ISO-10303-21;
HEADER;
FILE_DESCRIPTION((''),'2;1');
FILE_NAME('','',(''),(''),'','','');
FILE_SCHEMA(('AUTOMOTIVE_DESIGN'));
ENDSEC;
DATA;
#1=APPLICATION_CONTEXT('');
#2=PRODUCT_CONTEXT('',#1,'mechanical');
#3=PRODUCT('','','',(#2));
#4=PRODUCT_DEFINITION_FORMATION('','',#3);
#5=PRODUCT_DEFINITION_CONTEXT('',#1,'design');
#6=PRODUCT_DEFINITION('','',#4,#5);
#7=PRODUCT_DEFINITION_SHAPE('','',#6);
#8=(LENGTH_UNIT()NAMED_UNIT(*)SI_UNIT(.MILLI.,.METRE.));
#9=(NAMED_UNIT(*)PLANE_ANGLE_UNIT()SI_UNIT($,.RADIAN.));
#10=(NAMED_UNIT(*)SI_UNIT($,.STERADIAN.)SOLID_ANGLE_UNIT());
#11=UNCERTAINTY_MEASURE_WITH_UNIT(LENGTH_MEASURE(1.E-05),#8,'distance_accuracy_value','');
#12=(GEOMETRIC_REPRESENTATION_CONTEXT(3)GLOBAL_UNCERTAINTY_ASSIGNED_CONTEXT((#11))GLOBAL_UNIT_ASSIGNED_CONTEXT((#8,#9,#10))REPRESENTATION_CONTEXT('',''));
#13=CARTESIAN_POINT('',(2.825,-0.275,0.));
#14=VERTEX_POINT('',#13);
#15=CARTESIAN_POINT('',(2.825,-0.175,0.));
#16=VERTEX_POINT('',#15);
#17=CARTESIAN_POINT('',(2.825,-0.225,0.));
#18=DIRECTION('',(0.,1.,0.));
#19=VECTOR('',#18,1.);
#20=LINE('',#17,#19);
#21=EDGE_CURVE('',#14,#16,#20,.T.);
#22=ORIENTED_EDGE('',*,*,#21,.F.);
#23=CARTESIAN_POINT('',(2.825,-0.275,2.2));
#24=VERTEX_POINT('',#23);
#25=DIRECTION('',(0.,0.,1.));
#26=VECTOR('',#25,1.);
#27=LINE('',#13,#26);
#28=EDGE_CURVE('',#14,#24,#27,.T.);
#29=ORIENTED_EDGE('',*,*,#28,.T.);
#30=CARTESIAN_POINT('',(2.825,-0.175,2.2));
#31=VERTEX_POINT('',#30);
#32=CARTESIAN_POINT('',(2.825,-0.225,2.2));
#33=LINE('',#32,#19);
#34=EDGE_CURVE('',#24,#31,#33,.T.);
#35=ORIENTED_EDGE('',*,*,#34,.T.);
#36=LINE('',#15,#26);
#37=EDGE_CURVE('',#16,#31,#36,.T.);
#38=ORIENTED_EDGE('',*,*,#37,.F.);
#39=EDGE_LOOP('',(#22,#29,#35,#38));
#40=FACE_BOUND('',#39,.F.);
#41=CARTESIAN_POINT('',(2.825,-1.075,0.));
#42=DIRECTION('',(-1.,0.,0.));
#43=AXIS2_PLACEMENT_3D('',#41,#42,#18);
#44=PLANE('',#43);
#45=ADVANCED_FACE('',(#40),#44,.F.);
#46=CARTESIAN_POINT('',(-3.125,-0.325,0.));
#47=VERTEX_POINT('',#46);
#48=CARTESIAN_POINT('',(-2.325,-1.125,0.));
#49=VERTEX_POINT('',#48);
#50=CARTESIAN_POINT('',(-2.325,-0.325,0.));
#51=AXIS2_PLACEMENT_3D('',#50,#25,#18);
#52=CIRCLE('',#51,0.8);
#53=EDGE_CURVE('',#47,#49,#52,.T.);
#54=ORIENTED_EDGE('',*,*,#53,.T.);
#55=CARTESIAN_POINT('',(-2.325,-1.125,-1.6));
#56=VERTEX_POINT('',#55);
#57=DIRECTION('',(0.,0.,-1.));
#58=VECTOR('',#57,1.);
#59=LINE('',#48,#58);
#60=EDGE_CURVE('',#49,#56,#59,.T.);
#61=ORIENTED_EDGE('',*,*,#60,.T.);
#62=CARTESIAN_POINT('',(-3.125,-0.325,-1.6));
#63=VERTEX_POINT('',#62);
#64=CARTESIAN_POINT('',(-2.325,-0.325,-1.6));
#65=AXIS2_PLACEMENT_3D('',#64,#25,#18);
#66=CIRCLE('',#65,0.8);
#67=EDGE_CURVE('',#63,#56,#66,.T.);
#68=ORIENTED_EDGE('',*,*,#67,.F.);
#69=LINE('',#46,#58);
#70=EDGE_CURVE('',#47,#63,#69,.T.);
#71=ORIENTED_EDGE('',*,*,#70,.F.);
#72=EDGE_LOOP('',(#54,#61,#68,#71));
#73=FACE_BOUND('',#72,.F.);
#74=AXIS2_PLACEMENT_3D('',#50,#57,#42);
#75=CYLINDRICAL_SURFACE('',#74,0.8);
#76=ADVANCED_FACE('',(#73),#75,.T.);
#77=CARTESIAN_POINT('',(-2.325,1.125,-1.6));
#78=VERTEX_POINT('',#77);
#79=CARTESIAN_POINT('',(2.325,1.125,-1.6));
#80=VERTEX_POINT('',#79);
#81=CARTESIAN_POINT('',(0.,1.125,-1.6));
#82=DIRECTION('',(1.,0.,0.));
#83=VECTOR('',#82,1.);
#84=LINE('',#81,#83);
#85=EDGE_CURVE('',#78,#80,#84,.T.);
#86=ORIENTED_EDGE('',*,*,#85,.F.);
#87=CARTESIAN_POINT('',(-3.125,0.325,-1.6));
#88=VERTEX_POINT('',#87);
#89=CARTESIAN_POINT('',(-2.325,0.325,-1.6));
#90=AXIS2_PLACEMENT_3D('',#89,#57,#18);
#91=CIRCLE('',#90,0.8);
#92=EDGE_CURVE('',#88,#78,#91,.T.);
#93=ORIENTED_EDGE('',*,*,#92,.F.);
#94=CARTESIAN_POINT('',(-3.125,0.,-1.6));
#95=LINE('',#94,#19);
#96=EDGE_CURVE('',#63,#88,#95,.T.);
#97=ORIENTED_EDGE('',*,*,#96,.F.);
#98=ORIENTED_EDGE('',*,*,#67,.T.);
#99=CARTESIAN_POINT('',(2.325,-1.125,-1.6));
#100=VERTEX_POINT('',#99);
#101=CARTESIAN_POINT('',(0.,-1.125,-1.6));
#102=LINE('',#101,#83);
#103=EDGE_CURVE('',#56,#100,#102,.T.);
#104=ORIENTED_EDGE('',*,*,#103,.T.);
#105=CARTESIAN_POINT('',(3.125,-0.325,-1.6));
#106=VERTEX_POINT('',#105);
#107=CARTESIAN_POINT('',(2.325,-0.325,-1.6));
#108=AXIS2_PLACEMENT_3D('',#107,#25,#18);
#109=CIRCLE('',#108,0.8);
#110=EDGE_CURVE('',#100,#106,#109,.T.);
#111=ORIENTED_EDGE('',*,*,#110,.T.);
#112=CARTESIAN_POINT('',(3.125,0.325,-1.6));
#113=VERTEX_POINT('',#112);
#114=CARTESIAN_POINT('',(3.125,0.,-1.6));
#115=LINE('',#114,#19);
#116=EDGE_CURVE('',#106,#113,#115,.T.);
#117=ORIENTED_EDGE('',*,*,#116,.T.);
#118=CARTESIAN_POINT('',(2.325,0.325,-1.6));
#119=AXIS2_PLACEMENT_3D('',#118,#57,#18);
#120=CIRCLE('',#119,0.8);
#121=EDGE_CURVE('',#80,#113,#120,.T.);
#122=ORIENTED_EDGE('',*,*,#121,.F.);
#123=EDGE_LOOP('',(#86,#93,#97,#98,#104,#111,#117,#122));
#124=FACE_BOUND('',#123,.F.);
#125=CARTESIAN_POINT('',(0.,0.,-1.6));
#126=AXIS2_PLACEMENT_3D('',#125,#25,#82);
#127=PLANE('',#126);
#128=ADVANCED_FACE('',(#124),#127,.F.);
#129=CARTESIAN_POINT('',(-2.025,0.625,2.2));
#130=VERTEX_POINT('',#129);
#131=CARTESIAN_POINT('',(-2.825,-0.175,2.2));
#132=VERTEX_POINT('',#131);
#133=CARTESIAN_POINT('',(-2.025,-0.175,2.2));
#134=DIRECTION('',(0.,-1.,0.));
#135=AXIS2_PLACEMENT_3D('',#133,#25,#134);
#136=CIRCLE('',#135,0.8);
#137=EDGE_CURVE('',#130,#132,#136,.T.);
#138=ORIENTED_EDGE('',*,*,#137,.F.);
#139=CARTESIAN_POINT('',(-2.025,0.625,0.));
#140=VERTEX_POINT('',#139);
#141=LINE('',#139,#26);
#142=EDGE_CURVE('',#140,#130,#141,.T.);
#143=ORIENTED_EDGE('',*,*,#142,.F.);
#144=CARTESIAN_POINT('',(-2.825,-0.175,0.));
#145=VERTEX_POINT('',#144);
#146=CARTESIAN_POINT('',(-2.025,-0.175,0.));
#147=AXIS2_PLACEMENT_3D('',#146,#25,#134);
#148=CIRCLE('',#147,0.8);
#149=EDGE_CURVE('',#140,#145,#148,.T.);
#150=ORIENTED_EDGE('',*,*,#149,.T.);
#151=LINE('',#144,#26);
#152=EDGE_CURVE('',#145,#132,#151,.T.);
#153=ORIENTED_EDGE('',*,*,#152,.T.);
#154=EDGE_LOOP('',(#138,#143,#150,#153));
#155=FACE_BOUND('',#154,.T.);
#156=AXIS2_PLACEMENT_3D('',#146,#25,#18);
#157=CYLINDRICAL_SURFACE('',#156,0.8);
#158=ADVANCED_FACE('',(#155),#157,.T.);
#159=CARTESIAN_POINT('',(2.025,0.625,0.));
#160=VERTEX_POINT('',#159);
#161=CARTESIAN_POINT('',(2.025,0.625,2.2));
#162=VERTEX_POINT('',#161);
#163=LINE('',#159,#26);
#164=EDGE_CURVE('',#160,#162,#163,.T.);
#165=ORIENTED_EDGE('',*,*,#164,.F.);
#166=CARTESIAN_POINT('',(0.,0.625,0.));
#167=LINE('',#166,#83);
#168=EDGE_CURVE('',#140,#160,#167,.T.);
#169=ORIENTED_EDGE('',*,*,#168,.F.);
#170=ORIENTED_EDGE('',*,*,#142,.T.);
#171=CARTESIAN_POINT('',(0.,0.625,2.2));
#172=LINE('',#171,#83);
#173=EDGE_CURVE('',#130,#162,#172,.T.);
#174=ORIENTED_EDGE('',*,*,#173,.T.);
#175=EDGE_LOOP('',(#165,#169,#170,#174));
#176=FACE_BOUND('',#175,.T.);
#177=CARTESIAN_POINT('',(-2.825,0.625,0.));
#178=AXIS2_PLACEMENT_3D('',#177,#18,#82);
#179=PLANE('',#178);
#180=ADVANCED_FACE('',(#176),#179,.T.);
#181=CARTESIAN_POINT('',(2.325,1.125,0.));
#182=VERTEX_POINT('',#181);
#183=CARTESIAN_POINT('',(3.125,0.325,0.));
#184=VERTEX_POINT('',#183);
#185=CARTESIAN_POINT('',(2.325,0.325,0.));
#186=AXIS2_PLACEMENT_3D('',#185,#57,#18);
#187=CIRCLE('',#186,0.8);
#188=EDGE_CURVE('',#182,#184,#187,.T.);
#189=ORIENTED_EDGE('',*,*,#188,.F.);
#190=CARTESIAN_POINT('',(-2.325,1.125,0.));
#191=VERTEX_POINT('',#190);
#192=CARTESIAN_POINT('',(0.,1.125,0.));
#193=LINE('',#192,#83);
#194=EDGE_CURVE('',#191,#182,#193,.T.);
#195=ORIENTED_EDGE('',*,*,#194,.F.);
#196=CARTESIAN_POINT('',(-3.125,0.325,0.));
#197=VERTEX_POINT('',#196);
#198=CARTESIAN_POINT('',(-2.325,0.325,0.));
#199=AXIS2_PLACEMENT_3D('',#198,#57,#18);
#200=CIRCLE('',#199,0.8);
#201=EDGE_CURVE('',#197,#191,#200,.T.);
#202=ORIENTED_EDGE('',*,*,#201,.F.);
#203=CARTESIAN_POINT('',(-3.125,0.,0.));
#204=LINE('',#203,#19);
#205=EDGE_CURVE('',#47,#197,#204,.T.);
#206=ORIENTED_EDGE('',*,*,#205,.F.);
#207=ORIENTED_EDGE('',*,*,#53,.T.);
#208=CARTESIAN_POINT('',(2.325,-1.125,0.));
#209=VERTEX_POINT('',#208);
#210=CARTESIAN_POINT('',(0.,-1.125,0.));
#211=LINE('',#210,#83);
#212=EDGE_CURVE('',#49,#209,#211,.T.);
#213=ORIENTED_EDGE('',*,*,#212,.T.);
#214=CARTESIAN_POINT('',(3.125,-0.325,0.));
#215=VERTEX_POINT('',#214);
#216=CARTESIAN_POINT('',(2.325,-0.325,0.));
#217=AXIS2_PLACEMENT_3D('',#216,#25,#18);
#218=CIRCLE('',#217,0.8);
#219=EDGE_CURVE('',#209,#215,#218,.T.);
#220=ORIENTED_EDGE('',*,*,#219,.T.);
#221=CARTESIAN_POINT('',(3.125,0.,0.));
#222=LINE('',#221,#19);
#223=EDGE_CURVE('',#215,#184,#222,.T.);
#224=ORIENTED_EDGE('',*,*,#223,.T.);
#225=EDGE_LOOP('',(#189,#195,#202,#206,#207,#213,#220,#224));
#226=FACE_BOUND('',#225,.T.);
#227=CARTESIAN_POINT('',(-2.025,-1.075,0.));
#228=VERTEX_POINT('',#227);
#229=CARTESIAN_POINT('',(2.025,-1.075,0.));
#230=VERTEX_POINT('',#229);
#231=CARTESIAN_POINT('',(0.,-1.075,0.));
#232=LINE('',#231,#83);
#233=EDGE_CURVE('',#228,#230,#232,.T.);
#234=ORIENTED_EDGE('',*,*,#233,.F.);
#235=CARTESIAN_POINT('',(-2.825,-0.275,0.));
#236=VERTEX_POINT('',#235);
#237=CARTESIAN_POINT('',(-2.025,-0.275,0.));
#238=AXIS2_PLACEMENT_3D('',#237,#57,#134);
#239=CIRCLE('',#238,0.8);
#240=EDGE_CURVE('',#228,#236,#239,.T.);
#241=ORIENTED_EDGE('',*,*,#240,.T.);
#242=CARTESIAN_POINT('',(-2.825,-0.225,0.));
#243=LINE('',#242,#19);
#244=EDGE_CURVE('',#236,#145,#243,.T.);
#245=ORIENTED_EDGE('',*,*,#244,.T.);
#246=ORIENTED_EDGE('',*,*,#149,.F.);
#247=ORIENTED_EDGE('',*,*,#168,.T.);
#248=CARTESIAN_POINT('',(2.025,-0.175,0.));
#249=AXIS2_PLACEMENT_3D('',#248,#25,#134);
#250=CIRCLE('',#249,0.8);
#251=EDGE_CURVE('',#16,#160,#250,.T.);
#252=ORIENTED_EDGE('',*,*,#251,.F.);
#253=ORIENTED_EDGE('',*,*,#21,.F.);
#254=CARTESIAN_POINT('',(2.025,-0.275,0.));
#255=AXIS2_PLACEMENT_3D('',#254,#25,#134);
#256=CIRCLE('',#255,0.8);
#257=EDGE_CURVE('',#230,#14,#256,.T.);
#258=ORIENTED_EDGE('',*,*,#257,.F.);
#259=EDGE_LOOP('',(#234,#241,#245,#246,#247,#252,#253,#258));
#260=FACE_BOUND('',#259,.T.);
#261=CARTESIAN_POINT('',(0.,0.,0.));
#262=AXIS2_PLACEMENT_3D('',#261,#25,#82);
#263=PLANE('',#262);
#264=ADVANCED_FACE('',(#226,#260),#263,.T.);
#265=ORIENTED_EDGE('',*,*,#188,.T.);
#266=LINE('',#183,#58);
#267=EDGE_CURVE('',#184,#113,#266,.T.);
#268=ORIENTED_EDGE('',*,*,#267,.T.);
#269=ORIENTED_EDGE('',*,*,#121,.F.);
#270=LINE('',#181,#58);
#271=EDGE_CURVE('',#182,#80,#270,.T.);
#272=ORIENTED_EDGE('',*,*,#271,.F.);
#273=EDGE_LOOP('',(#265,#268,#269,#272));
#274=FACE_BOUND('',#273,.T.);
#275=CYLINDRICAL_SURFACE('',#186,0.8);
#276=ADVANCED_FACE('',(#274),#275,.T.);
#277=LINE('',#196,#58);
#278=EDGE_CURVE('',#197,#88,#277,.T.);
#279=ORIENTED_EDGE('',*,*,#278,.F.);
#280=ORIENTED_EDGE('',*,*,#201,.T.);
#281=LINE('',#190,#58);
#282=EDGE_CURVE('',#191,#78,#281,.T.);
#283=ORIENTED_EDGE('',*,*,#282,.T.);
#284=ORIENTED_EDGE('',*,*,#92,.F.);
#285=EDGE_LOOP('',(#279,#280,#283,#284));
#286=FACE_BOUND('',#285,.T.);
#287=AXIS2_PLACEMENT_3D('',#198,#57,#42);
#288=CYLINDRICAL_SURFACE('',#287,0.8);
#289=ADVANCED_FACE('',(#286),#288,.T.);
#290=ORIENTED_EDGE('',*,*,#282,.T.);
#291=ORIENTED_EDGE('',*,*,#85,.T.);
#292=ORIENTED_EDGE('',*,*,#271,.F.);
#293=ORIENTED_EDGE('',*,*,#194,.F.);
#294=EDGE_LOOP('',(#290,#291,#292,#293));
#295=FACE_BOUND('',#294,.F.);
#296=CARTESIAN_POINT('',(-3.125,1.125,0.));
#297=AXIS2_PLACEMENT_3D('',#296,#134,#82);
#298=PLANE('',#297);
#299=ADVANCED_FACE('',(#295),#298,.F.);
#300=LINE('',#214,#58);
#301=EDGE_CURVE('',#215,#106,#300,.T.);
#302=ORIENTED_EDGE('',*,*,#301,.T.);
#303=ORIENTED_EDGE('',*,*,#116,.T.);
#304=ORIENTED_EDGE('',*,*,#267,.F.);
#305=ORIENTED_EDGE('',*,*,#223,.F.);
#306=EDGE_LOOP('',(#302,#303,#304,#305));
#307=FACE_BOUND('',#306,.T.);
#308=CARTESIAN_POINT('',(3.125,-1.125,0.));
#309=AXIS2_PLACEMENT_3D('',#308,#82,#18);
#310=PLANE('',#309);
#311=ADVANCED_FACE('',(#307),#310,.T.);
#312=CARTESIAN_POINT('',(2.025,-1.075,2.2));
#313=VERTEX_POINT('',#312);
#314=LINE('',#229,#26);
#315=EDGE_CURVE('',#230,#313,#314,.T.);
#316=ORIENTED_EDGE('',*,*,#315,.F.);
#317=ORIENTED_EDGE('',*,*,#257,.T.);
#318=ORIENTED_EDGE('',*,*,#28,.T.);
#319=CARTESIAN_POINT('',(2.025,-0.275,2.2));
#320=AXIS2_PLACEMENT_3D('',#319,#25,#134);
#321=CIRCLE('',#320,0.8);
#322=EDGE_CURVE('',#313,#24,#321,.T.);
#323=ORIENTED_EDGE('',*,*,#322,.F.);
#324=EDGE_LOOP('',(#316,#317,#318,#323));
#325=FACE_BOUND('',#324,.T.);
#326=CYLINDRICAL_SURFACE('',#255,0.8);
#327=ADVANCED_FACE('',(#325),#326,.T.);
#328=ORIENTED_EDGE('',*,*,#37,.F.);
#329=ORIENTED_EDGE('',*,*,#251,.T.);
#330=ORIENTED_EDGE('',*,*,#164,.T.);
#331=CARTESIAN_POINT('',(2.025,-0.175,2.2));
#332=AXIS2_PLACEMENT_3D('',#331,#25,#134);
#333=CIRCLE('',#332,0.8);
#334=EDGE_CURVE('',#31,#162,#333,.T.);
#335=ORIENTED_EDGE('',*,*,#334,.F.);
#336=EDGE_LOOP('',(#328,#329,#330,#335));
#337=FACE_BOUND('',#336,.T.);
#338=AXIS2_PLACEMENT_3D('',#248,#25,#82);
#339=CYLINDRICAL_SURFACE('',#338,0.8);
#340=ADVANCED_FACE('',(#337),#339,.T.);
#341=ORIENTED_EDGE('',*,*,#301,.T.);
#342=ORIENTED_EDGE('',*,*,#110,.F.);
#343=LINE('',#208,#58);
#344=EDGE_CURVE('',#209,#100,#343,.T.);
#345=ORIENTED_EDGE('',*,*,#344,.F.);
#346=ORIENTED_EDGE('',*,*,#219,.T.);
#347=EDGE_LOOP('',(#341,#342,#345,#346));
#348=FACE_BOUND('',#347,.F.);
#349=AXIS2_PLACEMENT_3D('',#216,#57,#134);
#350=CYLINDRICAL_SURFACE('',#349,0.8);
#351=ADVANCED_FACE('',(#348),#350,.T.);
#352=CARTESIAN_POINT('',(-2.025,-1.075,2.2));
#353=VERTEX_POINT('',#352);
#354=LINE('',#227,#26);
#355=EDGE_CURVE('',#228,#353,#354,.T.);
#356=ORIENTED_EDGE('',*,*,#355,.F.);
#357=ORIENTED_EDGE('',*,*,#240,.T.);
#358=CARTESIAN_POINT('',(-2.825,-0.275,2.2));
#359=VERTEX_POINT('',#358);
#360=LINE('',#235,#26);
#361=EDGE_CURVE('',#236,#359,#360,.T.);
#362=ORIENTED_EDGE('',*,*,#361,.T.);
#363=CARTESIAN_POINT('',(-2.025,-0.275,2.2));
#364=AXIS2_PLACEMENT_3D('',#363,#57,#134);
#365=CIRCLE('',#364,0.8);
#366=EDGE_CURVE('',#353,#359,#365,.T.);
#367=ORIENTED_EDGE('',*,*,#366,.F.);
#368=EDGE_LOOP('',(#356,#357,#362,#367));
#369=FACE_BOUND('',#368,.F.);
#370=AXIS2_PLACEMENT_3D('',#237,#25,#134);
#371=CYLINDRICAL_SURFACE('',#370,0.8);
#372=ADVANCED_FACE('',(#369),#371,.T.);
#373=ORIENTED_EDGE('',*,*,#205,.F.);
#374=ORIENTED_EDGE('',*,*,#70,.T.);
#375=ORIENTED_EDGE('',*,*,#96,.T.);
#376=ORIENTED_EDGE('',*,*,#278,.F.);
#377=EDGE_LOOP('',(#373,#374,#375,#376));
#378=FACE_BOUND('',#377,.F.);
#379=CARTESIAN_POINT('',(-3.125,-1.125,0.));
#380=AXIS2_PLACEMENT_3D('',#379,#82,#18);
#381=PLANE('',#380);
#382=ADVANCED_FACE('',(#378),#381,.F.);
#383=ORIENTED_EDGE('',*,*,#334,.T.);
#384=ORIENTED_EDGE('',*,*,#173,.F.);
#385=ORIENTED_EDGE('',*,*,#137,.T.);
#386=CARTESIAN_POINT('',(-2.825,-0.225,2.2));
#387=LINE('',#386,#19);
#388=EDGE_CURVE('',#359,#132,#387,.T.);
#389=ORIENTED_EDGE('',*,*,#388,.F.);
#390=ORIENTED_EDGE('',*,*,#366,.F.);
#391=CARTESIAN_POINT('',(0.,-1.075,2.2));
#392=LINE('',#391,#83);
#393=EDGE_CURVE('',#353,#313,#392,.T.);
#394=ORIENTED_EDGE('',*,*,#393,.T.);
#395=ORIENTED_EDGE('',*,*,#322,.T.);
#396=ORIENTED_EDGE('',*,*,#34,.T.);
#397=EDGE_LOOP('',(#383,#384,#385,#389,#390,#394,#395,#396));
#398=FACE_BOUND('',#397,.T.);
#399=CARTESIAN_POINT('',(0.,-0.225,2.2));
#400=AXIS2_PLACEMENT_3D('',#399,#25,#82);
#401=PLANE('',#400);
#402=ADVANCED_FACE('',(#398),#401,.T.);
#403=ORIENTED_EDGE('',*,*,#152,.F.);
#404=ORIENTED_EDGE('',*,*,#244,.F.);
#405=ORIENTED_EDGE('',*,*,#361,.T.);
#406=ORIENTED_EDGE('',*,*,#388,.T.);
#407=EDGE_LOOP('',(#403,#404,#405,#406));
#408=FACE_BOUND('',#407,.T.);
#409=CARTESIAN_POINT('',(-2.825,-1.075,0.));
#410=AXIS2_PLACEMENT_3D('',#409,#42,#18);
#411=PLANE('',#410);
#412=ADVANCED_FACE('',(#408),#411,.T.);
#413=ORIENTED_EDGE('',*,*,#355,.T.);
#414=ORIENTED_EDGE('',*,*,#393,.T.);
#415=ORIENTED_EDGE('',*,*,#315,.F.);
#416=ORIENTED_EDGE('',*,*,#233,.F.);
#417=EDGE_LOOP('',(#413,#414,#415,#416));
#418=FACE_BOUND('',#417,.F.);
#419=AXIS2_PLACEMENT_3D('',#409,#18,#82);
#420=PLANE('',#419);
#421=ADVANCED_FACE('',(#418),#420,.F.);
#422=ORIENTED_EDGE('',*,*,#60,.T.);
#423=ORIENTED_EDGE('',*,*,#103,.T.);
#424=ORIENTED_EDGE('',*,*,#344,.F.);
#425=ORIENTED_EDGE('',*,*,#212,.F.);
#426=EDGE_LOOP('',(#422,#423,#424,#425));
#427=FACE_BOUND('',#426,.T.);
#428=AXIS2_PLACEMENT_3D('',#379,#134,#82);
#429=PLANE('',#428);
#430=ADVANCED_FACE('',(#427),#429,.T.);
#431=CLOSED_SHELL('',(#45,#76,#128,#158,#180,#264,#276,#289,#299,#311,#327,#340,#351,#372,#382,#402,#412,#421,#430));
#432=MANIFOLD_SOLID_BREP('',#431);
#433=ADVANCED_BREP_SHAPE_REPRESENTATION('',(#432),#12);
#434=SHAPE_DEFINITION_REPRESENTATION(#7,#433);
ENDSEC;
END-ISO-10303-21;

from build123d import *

# Parameters (mm, degrees)
F0_W     = 5.65
F0_H     = 1.7
F1_DEPTH = 2.2
F0_W_2   = 6.25
F0_H_2   = 2.25
F2_DEPTH = 1.6
F3_R     = 0.8


with BuildPart() as f1:
    # F0 (on Top) → F1 (new body)
    with BuildSketch(Plane.XY):
        with Locations((0, -0.225)):
            Rectangle(F0_W, F0_H)
    extrude(amount=F1_DEPTH)

    # F0 (on Top) → F2 (join)
    with BuildSketch(Plane.XY):
        Rectangle(F0_W_2, F0_H_2)
        with Locations((0, -0.225)):
            Rectangle(F0_W, F0_H, mode=Mode.SUBTRACT)
        with Locations((0, -0.225)):
            Rectangle(F0_W, F0_H)
    extrude(amount=-F2_DEPTH)

    # F3
    f3_edges = [f1.edges().sort_by_distance(p)[0] for p in [
        (3.125, 1.125, -0.8),
        (-3.125, 1.125, -0.8),
        (2.825, 0.625, 1.1),
        (-2.825, 0.625, 1.1),
        (3.125, -1.125, -0.8),
        (-3.125, -1.125, -0.8),
        (-2.825, -1.075, 1.1),
        (2.825, -1.075, 1.1),
    ]]
    fillet(f3_edges, radius=F3_R)


solid = f1.part
